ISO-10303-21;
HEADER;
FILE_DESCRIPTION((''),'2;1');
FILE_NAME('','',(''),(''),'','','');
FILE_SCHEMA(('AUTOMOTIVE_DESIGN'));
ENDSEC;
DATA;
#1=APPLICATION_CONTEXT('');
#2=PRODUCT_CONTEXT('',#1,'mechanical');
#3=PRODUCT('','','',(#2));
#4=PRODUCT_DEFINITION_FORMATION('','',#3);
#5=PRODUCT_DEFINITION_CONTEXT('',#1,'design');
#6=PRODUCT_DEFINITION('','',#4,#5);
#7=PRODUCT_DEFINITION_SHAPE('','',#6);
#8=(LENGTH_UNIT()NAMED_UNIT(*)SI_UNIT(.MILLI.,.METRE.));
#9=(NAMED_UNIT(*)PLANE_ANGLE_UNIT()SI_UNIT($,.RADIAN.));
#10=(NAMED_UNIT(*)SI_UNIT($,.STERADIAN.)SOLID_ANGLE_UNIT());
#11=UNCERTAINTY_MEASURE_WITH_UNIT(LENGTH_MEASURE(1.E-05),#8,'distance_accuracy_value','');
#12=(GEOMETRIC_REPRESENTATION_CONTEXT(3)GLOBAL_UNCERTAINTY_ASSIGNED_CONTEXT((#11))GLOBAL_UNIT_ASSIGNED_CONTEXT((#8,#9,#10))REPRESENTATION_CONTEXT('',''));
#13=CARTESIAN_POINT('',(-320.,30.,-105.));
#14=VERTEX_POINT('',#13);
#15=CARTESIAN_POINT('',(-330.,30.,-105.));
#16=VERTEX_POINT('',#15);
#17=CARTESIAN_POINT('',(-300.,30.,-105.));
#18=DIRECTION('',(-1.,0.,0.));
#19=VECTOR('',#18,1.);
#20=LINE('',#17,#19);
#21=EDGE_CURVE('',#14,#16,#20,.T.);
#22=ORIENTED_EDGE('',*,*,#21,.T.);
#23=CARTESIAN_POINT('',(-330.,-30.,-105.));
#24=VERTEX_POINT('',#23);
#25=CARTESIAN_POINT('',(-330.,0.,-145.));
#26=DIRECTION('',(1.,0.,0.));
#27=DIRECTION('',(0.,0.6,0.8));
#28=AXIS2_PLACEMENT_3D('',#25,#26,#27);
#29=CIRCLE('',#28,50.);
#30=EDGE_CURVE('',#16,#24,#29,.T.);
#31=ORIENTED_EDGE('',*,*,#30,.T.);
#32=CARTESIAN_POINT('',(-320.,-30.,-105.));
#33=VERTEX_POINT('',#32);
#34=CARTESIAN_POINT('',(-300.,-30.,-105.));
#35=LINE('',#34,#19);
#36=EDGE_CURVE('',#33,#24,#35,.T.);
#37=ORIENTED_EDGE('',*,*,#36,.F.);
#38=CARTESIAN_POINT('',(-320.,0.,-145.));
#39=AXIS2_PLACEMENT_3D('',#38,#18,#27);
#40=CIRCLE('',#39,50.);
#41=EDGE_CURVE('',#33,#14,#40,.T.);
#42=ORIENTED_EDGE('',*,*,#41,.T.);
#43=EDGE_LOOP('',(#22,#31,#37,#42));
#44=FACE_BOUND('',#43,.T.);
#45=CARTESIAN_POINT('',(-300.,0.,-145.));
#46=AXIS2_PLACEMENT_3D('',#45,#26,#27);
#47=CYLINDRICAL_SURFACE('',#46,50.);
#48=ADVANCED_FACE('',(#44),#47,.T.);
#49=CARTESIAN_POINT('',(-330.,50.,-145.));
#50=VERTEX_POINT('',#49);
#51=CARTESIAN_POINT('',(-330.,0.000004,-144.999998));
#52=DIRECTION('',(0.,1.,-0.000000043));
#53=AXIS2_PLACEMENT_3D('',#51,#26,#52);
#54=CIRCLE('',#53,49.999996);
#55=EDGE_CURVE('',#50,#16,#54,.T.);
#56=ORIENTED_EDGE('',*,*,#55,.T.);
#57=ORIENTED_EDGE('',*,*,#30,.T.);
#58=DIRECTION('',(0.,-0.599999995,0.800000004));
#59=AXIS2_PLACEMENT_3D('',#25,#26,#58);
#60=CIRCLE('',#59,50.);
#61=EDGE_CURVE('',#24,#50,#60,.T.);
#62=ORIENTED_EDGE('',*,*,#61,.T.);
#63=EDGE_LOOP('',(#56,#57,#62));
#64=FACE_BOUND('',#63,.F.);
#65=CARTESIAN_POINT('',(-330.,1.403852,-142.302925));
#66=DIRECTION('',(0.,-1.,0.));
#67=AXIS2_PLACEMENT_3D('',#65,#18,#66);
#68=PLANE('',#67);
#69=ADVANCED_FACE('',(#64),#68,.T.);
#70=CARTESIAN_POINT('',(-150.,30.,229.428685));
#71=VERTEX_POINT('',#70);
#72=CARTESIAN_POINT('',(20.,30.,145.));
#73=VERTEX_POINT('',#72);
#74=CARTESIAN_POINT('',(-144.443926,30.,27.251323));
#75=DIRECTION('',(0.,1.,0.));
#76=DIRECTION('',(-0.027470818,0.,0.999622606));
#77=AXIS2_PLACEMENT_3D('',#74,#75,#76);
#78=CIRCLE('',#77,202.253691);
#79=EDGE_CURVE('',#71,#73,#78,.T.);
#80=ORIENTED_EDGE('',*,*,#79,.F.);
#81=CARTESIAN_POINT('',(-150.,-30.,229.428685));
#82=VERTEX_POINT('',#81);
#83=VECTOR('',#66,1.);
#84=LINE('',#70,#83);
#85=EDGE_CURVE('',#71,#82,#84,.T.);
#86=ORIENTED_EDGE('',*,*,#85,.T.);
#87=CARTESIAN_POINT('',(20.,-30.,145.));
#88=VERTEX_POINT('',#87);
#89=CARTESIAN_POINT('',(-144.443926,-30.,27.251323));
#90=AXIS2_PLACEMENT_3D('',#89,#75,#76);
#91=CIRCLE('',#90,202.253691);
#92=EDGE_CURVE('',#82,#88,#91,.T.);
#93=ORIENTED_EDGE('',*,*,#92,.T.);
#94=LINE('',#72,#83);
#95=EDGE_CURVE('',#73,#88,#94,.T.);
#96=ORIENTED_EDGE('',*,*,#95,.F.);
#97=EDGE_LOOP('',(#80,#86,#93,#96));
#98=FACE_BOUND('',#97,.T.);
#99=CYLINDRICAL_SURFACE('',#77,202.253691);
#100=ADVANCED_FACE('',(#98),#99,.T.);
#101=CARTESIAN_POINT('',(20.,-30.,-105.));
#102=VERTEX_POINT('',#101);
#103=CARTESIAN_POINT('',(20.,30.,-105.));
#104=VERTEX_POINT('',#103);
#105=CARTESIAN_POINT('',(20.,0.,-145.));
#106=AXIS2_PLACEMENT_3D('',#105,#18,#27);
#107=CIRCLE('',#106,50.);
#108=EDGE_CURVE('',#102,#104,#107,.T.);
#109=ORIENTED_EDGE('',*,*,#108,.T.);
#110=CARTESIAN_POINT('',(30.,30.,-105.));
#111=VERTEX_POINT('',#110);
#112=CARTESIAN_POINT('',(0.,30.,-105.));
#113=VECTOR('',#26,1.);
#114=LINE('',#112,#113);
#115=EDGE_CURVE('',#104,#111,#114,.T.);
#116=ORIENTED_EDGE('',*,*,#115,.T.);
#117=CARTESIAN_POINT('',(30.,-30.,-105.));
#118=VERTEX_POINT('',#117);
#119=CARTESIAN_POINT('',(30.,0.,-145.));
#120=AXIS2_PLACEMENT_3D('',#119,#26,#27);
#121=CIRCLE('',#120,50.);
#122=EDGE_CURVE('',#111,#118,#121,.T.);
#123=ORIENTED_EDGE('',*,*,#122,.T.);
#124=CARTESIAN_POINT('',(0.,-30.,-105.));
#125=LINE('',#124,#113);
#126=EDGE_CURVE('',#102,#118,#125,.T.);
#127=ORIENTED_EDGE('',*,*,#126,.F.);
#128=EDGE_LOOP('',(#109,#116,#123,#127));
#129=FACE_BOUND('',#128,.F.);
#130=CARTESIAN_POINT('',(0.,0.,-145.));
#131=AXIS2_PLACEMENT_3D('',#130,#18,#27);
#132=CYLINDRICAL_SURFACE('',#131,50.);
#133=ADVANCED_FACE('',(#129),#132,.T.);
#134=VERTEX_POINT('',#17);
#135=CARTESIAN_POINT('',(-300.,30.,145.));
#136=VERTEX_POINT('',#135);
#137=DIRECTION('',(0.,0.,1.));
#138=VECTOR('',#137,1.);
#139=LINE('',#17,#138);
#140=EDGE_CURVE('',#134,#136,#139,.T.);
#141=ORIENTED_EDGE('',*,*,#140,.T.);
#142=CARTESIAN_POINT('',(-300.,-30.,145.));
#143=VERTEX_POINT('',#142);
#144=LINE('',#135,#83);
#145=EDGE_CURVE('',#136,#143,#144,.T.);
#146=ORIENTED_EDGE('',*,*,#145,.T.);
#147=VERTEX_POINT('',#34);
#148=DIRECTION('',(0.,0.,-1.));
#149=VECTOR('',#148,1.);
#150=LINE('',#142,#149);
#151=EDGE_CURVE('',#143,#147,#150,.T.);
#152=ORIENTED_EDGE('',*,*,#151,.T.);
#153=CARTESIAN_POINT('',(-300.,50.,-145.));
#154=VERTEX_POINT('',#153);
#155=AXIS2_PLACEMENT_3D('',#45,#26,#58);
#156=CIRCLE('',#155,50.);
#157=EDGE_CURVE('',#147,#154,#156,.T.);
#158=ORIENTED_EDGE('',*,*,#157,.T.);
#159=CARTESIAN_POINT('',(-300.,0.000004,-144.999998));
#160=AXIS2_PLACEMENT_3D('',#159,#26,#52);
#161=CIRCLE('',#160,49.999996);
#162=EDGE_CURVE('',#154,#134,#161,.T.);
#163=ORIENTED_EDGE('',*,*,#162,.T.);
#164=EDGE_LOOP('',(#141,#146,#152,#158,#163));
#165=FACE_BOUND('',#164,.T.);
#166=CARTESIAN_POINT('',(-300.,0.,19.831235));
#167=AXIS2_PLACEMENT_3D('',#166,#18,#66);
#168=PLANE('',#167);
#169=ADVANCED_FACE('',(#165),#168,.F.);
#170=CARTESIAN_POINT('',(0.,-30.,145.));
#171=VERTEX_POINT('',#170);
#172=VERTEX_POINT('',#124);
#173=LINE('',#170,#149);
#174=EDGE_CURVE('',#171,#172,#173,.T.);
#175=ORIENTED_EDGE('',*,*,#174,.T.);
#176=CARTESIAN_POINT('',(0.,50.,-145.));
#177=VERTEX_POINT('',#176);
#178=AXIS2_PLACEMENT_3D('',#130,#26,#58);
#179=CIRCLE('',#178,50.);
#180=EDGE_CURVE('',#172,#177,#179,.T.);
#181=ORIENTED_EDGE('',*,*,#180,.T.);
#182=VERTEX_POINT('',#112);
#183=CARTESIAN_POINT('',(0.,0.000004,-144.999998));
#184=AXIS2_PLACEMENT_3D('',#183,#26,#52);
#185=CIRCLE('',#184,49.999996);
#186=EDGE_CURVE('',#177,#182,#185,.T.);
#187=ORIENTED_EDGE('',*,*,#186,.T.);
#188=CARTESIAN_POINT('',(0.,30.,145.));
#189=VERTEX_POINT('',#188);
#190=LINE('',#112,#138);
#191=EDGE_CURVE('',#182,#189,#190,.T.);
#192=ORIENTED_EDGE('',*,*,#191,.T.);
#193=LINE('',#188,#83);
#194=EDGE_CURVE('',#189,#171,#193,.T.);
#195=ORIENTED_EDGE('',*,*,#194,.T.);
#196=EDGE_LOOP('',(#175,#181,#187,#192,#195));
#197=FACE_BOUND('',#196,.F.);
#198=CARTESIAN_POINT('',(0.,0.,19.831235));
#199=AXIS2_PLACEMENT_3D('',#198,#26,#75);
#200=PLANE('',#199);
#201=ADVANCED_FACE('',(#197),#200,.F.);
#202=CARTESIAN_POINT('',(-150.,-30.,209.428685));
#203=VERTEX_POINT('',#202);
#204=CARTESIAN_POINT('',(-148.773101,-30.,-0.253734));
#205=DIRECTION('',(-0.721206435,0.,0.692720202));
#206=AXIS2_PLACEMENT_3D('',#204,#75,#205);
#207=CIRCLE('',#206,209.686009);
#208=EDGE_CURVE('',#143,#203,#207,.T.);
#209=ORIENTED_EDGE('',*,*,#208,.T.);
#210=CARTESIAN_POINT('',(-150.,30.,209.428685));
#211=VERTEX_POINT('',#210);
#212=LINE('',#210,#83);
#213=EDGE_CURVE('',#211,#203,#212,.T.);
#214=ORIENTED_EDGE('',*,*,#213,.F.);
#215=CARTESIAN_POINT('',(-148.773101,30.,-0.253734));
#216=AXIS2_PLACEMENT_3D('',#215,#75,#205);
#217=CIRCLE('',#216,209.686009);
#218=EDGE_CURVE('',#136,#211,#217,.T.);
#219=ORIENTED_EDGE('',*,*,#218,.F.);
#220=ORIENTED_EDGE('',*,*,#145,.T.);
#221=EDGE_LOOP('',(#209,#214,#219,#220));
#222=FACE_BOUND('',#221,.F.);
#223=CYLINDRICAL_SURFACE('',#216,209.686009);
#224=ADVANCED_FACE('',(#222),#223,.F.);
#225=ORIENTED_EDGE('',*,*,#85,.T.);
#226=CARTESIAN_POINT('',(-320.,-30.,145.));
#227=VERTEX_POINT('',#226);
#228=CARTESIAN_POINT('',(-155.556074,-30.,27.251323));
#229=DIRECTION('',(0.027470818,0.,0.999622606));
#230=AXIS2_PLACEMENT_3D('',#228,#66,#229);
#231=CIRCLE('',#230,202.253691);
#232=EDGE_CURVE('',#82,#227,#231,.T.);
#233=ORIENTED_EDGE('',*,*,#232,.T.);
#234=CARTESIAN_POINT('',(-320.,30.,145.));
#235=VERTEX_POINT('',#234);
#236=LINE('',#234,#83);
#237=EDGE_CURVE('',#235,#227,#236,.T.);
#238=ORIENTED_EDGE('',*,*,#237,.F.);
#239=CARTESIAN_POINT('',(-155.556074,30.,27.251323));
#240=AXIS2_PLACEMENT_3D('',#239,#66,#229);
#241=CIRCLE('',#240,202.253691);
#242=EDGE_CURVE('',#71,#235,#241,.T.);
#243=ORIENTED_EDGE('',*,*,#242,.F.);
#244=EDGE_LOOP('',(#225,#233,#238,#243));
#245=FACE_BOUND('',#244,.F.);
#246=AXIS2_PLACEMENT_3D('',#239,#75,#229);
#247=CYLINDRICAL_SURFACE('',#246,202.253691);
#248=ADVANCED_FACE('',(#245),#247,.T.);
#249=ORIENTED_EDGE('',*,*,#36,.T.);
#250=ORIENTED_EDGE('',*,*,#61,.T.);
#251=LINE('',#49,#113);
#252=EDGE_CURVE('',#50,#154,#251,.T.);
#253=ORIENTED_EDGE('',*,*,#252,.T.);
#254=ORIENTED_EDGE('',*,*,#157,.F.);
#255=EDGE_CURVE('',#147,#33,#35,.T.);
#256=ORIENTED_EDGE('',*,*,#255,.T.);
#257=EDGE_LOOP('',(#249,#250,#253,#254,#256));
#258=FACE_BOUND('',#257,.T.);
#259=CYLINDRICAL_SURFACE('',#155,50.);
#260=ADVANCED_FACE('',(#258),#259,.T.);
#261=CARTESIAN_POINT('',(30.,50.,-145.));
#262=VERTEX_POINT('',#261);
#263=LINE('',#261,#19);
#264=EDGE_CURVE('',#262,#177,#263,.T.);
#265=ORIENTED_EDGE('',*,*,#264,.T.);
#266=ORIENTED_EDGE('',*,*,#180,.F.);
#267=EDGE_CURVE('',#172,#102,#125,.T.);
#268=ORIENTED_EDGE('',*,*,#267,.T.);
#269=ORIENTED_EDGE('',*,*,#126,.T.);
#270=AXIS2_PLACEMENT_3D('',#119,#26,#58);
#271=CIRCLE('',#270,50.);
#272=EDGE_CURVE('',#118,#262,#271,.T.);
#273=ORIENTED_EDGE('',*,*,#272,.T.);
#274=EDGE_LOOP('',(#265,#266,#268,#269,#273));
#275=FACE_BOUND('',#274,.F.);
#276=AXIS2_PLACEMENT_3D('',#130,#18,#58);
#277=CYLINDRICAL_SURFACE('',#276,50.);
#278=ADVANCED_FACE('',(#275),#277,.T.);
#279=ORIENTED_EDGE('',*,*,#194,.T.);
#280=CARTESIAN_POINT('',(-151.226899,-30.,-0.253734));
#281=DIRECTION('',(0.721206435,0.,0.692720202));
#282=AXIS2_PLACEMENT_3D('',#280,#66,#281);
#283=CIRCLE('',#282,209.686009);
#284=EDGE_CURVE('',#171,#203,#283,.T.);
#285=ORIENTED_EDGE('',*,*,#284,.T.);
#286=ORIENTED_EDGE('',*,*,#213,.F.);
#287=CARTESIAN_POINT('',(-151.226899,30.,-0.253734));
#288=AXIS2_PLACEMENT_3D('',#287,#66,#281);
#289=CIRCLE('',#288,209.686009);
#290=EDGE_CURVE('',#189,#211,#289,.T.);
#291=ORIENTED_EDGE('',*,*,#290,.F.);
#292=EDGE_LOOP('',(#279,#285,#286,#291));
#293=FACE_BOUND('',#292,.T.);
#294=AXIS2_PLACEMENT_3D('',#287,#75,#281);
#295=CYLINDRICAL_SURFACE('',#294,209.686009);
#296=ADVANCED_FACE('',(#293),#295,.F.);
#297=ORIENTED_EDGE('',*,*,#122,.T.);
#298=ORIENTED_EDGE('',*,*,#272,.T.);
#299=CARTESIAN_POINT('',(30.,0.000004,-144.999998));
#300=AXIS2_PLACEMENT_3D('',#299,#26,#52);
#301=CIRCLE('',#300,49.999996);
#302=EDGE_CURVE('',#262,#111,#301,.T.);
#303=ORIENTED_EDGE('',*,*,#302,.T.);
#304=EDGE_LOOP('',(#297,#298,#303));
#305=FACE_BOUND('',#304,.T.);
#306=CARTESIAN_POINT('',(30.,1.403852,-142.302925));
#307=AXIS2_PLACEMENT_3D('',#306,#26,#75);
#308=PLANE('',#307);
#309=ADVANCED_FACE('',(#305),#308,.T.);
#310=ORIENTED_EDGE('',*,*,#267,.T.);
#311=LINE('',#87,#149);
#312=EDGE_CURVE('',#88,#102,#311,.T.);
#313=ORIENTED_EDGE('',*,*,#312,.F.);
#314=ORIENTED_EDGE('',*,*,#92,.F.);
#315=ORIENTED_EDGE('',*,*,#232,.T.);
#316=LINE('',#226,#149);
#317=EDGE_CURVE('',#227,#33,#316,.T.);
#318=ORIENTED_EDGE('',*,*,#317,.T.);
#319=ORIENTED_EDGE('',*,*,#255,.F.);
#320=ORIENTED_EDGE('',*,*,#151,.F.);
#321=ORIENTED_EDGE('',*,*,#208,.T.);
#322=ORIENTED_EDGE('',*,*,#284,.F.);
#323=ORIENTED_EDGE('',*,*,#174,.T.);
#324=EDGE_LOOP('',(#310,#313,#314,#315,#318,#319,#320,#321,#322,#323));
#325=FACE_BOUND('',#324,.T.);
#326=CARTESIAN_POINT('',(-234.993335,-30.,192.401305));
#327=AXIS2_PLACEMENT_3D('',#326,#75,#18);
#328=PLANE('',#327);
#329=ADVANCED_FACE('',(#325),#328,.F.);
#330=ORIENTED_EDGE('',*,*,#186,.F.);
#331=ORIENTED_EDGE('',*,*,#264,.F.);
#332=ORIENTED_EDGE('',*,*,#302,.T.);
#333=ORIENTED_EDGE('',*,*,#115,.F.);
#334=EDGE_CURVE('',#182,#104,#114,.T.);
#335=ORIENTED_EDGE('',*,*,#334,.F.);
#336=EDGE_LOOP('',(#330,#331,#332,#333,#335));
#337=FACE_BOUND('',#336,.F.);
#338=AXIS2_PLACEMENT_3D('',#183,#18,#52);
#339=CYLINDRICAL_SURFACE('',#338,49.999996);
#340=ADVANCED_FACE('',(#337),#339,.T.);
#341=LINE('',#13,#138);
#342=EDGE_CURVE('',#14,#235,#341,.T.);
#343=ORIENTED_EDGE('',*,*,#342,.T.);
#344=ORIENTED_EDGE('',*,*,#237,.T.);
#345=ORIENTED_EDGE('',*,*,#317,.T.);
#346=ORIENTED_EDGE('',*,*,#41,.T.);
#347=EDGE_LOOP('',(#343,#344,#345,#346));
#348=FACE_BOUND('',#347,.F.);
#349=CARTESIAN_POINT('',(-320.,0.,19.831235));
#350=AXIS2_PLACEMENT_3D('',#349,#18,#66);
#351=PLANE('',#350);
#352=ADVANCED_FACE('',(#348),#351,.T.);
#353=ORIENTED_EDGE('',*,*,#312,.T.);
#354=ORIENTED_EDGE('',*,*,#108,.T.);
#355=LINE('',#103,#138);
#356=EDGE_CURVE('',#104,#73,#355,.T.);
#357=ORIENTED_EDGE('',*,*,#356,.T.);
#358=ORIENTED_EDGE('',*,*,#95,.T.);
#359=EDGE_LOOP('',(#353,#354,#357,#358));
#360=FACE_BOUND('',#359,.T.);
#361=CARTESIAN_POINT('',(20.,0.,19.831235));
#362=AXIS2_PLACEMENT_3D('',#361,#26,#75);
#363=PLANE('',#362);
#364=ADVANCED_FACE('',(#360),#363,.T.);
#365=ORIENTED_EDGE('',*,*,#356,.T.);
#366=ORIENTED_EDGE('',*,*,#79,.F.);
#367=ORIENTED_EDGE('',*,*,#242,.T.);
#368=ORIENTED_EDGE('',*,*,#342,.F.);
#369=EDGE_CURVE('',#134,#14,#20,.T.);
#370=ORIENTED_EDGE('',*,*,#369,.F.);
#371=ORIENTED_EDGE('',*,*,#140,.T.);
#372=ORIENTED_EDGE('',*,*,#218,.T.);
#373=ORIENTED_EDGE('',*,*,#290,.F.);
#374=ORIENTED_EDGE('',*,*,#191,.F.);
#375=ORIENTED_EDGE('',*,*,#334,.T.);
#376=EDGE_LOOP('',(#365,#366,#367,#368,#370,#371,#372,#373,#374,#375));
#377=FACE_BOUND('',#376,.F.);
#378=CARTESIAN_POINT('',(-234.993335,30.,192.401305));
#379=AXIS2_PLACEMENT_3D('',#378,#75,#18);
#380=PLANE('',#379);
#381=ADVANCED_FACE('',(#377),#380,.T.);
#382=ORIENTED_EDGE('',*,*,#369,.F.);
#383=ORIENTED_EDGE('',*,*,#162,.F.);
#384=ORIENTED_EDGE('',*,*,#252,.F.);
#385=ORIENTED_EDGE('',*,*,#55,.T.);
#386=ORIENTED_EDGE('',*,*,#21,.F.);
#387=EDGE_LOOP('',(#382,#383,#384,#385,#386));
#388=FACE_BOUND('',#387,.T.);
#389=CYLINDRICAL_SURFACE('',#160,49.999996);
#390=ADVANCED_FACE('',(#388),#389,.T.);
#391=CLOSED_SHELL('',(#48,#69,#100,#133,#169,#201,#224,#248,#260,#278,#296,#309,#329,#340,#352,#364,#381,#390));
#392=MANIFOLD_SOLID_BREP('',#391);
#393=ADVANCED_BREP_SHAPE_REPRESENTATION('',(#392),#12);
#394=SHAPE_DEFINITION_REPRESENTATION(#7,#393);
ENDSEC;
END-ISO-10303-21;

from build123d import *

# Parameters (mm, degrees)
F1_DEPTH = 30
F2_DEPTH = 20
F3_W     = 61.814844
F3_H     = 59.7312
F4_DEPTH = 50
F6_DEPTH = 60


with BuildPart() as f1:
    # F0 (on Right) → F1 (new body)
    with BuildSketch(Plane.YZ):
        with BuildLine():
            ThreePointArc((50, -145), (44.72136, -122.63932), (30, -105))
            ThreePointArc((30, -105), (0, -95), (-30, -105))
            ThreePointArc((-30, -105), (-22.36068, -189.72136), (50, -145))
        make_face()
    extrude(amount=F1_DEPTH)

    # F0 (on Right) → F2 (join)
    with BuildSketch(Plane.YZ):
        with BuildLine():
            Line((30, -105), (30, 145))
            Line((30, 145), (-30, 145))
            Line((-30, 145), (-30, -105))
            ThreePointArc((-30, -105), (0, -95), (30, -105))
        make_face()
        with BuildLine():
            ThreePointArc((50, -145), (44.72136, -122.63932), (30, -105))
            ThreePointArc((30, -105), (0, -95), (-30, -105))
            ThreePointArc((-30, -105), (-22.36068, -189.72136), (50, -145))
        make_face()
    extrude(amount=F2_DEPTH)

    # F3 (on Front) → F4 (cut, symmetric)
    with BuildSketch(Plane.XZ):
        with Locations((-90.155922, 117.482759)):
            Rectangle(F3_W, F3_H)
    extrude(amount=F4_DEPTH, both=True, mode=Mode.SUBTRACT)

    # F5 (on face) → F6 (join)
    with BuildSketch(Plane(origin=(0, 30, 0), x_dir=(-1, 0, 0), z_dir=(0, 1, 0))):
        with BuildLine():
            ThreePointArc((0, 145), (68.472419, 192.411567), (150, 209.428685))
            Line((150, 209.428685), (150, 229.428685))
            ThreePointArc((150, 229.428685), (54.480666, 208.395375), (-20, 145))
            Line((-20, 145), (0, 145))
        make_face()
    extrude(amount=-F6_DEPTH)

    # F7: F1 across face


with BuildPart() as f1_1:
    add(f1.part)
    add(f1.part.mirror(Plane(origin=(-150, 0, 219.428685), x_dir=(0, -1, 0), z_dir=(-1, 0, 0))))


solid = f1_1.part
